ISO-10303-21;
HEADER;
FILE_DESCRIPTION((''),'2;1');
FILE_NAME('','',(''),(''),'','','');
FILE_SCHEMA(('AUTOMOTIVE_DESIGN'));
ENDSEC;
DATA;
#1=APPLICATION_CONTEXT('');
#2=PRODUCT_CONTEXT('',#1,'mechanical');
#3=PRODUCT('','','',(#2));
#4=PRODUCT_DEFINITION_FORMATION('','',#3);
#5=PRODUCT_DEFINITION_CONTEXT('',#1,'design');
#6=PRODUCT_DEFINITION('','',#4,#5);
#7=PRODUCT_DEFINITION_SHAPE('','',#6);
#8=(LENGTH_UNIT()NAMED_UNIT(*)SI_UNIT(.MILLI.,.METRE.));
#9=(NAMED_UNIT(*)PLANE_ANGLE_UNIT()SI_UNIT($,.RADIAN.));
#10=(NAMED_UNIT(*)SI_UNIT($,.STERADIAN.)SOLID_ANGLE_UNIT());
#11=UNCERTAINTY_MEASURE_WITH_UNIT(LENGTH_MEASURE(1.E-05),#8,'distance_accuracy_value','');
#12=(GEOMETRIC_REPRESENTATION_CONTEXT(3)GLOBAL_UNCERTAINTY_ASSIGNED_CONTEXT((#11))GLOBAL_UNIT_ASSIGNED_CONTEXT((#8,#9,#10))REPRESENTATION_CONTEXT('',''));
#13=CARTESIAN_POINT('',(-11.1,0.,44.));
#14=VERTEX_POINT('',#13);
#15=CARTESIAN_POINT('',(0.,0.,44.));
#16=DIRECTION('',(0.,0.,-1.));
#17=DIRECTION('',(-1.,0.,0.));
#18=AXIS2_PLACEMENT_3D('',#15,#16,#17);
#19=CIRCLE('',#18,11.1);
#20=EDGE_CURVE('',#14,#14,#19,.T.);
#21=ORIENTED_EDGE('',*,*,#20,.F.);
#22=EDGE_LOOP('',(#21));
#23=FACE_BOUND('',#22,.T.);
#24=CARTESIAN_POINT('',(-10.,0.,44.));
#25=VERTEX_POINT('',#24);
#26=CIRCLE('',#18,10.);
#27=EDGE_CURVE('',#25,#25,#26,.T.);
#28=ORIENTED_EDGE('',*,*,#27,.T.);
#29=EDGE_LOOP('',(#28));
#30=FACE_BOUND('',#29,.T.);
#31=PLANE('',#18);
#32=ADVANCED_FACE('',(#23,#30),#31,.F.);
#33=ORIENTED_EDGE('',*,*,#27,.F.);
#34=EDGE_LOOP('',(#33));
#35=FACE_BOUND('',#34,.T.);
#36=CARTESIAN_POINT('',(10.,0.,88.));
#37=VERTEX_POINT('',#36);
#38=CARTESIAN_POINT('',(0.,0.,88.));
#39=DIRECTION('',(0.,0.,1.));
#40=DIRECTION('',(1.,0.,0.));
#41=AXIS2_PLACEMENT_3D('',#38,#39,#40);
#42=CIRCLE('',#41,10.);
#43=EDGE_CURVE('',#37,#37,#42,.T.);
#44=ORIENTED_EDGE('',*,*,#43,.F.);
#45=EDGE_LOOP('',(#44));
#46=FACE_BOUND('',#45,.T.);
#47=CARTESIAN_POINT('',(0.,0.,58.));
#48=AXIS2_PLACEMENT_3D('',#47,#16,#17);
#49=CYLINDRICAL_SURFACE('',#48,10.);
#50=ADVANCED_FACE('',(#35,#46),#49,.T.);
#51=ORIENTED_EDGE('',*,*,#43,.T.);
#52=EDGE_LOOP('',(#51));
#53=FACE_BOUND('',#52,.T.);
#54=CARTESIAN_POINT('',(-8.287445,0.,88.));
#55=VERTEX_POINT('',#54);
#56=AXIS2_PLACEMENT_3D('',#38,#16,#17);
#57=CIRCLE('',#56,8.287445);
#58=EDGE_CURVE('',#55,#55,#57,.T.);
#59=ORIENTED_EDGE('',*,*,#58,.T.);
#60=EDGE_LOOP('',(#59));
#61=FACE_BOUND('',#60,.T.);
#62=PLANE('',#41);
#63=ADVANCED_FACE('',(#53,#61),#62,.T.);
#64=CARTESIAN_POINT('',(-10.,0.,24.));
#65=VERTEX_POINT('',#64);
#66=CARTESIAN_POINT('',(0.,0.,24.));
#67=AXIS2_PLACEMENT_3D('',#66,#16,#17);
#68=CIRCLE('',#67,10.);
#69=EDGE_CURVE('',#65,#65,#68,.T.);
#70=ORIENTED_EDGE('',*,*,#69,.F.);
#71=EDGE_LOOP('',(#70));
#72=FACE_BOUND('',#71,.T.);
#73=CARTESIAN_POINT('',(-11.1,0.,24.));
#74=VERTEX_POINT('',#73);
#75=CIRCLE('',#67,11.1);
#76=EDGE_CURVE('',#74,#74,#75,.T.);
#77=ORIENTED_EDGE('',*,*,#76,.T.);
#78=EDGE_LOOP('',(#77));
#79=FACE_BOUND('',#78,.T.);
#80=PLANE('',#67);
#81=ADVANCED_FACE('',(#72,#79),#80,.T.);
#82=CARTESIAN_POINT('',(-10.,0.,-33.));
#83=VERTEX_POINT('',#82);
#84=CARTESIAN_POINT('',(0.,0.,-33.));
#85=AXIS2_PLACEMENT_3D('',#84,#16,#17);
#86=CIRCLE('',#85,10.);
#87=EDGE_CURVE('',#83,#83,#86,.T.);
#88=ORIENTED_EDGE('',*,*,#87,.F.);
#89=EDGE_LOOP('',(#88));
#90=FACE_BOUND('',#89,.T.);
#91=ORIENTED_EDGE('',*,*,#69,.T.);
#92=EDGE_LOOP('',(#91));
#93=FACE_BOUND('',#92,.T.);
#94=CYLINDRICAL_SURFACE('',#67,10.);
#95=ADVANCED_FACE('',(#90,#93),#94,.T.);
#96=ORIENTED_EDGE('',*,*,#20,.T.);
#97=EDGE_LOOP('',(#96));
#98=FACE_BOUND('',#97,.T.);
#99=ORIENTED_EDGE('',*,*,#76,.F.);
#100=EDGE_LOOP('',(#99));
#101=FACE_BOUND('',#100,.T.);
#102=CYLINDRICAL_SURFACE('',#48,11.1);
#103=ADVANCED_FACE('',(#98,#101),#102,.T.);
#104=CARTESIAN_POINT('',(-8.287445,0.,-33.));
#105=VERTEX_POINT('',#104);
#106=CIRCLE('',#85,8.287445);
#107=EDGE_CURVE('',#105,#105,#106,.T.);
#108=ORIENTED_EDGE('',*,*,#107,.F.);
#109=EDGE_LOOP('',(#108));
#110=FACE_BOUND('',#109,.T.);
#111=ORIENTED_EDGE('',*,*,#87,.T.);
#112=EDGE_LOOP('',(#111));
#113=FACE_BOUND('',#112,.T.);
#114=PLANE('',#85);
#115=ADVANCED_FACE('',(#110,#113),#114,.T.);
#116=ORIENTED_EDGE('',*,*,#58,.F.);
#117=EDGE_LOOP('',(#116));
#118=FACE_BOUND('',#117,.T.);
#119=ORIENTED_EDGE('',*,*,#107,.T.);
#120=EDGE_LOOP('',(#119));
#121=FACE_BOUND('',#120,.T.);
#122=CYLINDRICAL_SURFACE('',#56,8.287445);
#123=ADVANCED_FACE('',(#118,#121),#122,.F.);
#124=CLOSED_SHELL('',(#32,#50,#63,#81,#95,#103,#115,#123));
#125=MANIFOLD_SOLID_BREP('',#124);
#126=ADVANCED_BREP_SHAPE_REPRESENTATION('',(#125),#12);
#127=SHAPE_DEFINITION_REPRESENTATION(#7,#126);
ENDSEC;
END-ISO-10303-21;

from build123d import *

# Parameters (mm, degrees)
SKETCH1_R           = 11.1
BOSS_EXTRUDE1_DEPTH = 58
SKETCH2_R           = 24.777888598
SKETCH2_R_2         = 10
CUT_EXTRUDE1_DEPTH  = 24
CUT_EXTRUDE2_START  = -44
SKETCH2_2_R         = 24.777888598
SKETCH2_2_R_2       = 10
CUT_EXTRUDE2_DEPTH  = 14
SKETCH4_R           = 10
BOSS_EXTRUDE3_DEPTH = 30
BOSS_EXTRUDE4_START = 45
SKETCH5_R           = 10
BOSS_EXTRUDE4_DEPTH = 45
SKETCH6_R           = 10
CUT_EXTRUDE3_DEPTH  = 12
SKETCH7_R           = 8.287445099
CUT_EXTRUDE4_DEPTH  = 123.014015588


with BuildPart() as part:
    # Sketch1 → Boss-Extrude1 (new body)
    with BuildSketch(Plane.XY):
        Circle(SKETCH1_R)
    extrude(amount=BOSS_EXTRUDE1_DEPTH)

    # Sketch2 → Cut-Extrude1 (cut)
    with BuildSketch(Plane(origin=(0, 0, 0), x_dir=(-1, 0, 0), z_dir=(0, 0, -1))):
        Circle(SKETCH2_R)
        Circle(SKETCH2_R_2, mode=Mode.SUBTRACT)
    extrude(amount=-CUT_EXTRUDE1_DEPTH, mode=Mode.SUBTRACT)

    # Sketch2<2> → Cut-Extrude2 (cut)
    with BuildSketch(Plane(origin=(0, 0, 0), x_dir=(-1, 0, 0), z_dir=(0, 0, -1)).offset(CUT_EXTRUDE2_START)):
        Circle(SKETCH2_2_R)
        Circle(SKETCH2_2_R_2, mode=Mode.SUBTRACT)
    extrude(amount=-CUT_EXTRUDE2_DEPTH, mode=Mode.SUBTRACT)

    # Sketch4 → Boss-Extrude3 (add)
    with BuildSketch(Plane.XY.offset(58)):
        Circle(SKETCH4_R)
    extrude(amount=BOSS_EXTRUDE3_DEPTH)

    # Sketch5 → Boss-Extrude4 (add)
    with BuildSketch(Plane(origin=(0, 0, 0), x_dir=(-1, 0, 0), z_dir=(0, 0, -1)).offset(BOSS_EXTRUDE4_START)):
        Circle(SKETCH5_R)
    extrude(amount=-BOSS_EXTRUDE4_DEPTH)

    # Sketch6 → Cut-Extrude3 (cut)
    with BuildSketch(Plane(origin=(0, 0, -45), x_dir=(-1, 0, 0), z_dir=(0, 0, -1))):
        Circle(SKETCH6_R)
    extrude(amount=-CUT_EXTRUDE3_DEPTH, mode=Mode.SUBTRACT)

    # Sketch7 → Cut-Extrude4 (cut, through all)
    with BuildSketch(Plane(origin=(0, 0, -33), x_dir=(-1, 0, 0), z_dir=(0, 0, -1))):
        Circle(SKETCH7_R)
    extrude(amount=-CUT_EXTRUDE4_DEPTH, mode=Mode.SUBTRACT)


solid = part.part
